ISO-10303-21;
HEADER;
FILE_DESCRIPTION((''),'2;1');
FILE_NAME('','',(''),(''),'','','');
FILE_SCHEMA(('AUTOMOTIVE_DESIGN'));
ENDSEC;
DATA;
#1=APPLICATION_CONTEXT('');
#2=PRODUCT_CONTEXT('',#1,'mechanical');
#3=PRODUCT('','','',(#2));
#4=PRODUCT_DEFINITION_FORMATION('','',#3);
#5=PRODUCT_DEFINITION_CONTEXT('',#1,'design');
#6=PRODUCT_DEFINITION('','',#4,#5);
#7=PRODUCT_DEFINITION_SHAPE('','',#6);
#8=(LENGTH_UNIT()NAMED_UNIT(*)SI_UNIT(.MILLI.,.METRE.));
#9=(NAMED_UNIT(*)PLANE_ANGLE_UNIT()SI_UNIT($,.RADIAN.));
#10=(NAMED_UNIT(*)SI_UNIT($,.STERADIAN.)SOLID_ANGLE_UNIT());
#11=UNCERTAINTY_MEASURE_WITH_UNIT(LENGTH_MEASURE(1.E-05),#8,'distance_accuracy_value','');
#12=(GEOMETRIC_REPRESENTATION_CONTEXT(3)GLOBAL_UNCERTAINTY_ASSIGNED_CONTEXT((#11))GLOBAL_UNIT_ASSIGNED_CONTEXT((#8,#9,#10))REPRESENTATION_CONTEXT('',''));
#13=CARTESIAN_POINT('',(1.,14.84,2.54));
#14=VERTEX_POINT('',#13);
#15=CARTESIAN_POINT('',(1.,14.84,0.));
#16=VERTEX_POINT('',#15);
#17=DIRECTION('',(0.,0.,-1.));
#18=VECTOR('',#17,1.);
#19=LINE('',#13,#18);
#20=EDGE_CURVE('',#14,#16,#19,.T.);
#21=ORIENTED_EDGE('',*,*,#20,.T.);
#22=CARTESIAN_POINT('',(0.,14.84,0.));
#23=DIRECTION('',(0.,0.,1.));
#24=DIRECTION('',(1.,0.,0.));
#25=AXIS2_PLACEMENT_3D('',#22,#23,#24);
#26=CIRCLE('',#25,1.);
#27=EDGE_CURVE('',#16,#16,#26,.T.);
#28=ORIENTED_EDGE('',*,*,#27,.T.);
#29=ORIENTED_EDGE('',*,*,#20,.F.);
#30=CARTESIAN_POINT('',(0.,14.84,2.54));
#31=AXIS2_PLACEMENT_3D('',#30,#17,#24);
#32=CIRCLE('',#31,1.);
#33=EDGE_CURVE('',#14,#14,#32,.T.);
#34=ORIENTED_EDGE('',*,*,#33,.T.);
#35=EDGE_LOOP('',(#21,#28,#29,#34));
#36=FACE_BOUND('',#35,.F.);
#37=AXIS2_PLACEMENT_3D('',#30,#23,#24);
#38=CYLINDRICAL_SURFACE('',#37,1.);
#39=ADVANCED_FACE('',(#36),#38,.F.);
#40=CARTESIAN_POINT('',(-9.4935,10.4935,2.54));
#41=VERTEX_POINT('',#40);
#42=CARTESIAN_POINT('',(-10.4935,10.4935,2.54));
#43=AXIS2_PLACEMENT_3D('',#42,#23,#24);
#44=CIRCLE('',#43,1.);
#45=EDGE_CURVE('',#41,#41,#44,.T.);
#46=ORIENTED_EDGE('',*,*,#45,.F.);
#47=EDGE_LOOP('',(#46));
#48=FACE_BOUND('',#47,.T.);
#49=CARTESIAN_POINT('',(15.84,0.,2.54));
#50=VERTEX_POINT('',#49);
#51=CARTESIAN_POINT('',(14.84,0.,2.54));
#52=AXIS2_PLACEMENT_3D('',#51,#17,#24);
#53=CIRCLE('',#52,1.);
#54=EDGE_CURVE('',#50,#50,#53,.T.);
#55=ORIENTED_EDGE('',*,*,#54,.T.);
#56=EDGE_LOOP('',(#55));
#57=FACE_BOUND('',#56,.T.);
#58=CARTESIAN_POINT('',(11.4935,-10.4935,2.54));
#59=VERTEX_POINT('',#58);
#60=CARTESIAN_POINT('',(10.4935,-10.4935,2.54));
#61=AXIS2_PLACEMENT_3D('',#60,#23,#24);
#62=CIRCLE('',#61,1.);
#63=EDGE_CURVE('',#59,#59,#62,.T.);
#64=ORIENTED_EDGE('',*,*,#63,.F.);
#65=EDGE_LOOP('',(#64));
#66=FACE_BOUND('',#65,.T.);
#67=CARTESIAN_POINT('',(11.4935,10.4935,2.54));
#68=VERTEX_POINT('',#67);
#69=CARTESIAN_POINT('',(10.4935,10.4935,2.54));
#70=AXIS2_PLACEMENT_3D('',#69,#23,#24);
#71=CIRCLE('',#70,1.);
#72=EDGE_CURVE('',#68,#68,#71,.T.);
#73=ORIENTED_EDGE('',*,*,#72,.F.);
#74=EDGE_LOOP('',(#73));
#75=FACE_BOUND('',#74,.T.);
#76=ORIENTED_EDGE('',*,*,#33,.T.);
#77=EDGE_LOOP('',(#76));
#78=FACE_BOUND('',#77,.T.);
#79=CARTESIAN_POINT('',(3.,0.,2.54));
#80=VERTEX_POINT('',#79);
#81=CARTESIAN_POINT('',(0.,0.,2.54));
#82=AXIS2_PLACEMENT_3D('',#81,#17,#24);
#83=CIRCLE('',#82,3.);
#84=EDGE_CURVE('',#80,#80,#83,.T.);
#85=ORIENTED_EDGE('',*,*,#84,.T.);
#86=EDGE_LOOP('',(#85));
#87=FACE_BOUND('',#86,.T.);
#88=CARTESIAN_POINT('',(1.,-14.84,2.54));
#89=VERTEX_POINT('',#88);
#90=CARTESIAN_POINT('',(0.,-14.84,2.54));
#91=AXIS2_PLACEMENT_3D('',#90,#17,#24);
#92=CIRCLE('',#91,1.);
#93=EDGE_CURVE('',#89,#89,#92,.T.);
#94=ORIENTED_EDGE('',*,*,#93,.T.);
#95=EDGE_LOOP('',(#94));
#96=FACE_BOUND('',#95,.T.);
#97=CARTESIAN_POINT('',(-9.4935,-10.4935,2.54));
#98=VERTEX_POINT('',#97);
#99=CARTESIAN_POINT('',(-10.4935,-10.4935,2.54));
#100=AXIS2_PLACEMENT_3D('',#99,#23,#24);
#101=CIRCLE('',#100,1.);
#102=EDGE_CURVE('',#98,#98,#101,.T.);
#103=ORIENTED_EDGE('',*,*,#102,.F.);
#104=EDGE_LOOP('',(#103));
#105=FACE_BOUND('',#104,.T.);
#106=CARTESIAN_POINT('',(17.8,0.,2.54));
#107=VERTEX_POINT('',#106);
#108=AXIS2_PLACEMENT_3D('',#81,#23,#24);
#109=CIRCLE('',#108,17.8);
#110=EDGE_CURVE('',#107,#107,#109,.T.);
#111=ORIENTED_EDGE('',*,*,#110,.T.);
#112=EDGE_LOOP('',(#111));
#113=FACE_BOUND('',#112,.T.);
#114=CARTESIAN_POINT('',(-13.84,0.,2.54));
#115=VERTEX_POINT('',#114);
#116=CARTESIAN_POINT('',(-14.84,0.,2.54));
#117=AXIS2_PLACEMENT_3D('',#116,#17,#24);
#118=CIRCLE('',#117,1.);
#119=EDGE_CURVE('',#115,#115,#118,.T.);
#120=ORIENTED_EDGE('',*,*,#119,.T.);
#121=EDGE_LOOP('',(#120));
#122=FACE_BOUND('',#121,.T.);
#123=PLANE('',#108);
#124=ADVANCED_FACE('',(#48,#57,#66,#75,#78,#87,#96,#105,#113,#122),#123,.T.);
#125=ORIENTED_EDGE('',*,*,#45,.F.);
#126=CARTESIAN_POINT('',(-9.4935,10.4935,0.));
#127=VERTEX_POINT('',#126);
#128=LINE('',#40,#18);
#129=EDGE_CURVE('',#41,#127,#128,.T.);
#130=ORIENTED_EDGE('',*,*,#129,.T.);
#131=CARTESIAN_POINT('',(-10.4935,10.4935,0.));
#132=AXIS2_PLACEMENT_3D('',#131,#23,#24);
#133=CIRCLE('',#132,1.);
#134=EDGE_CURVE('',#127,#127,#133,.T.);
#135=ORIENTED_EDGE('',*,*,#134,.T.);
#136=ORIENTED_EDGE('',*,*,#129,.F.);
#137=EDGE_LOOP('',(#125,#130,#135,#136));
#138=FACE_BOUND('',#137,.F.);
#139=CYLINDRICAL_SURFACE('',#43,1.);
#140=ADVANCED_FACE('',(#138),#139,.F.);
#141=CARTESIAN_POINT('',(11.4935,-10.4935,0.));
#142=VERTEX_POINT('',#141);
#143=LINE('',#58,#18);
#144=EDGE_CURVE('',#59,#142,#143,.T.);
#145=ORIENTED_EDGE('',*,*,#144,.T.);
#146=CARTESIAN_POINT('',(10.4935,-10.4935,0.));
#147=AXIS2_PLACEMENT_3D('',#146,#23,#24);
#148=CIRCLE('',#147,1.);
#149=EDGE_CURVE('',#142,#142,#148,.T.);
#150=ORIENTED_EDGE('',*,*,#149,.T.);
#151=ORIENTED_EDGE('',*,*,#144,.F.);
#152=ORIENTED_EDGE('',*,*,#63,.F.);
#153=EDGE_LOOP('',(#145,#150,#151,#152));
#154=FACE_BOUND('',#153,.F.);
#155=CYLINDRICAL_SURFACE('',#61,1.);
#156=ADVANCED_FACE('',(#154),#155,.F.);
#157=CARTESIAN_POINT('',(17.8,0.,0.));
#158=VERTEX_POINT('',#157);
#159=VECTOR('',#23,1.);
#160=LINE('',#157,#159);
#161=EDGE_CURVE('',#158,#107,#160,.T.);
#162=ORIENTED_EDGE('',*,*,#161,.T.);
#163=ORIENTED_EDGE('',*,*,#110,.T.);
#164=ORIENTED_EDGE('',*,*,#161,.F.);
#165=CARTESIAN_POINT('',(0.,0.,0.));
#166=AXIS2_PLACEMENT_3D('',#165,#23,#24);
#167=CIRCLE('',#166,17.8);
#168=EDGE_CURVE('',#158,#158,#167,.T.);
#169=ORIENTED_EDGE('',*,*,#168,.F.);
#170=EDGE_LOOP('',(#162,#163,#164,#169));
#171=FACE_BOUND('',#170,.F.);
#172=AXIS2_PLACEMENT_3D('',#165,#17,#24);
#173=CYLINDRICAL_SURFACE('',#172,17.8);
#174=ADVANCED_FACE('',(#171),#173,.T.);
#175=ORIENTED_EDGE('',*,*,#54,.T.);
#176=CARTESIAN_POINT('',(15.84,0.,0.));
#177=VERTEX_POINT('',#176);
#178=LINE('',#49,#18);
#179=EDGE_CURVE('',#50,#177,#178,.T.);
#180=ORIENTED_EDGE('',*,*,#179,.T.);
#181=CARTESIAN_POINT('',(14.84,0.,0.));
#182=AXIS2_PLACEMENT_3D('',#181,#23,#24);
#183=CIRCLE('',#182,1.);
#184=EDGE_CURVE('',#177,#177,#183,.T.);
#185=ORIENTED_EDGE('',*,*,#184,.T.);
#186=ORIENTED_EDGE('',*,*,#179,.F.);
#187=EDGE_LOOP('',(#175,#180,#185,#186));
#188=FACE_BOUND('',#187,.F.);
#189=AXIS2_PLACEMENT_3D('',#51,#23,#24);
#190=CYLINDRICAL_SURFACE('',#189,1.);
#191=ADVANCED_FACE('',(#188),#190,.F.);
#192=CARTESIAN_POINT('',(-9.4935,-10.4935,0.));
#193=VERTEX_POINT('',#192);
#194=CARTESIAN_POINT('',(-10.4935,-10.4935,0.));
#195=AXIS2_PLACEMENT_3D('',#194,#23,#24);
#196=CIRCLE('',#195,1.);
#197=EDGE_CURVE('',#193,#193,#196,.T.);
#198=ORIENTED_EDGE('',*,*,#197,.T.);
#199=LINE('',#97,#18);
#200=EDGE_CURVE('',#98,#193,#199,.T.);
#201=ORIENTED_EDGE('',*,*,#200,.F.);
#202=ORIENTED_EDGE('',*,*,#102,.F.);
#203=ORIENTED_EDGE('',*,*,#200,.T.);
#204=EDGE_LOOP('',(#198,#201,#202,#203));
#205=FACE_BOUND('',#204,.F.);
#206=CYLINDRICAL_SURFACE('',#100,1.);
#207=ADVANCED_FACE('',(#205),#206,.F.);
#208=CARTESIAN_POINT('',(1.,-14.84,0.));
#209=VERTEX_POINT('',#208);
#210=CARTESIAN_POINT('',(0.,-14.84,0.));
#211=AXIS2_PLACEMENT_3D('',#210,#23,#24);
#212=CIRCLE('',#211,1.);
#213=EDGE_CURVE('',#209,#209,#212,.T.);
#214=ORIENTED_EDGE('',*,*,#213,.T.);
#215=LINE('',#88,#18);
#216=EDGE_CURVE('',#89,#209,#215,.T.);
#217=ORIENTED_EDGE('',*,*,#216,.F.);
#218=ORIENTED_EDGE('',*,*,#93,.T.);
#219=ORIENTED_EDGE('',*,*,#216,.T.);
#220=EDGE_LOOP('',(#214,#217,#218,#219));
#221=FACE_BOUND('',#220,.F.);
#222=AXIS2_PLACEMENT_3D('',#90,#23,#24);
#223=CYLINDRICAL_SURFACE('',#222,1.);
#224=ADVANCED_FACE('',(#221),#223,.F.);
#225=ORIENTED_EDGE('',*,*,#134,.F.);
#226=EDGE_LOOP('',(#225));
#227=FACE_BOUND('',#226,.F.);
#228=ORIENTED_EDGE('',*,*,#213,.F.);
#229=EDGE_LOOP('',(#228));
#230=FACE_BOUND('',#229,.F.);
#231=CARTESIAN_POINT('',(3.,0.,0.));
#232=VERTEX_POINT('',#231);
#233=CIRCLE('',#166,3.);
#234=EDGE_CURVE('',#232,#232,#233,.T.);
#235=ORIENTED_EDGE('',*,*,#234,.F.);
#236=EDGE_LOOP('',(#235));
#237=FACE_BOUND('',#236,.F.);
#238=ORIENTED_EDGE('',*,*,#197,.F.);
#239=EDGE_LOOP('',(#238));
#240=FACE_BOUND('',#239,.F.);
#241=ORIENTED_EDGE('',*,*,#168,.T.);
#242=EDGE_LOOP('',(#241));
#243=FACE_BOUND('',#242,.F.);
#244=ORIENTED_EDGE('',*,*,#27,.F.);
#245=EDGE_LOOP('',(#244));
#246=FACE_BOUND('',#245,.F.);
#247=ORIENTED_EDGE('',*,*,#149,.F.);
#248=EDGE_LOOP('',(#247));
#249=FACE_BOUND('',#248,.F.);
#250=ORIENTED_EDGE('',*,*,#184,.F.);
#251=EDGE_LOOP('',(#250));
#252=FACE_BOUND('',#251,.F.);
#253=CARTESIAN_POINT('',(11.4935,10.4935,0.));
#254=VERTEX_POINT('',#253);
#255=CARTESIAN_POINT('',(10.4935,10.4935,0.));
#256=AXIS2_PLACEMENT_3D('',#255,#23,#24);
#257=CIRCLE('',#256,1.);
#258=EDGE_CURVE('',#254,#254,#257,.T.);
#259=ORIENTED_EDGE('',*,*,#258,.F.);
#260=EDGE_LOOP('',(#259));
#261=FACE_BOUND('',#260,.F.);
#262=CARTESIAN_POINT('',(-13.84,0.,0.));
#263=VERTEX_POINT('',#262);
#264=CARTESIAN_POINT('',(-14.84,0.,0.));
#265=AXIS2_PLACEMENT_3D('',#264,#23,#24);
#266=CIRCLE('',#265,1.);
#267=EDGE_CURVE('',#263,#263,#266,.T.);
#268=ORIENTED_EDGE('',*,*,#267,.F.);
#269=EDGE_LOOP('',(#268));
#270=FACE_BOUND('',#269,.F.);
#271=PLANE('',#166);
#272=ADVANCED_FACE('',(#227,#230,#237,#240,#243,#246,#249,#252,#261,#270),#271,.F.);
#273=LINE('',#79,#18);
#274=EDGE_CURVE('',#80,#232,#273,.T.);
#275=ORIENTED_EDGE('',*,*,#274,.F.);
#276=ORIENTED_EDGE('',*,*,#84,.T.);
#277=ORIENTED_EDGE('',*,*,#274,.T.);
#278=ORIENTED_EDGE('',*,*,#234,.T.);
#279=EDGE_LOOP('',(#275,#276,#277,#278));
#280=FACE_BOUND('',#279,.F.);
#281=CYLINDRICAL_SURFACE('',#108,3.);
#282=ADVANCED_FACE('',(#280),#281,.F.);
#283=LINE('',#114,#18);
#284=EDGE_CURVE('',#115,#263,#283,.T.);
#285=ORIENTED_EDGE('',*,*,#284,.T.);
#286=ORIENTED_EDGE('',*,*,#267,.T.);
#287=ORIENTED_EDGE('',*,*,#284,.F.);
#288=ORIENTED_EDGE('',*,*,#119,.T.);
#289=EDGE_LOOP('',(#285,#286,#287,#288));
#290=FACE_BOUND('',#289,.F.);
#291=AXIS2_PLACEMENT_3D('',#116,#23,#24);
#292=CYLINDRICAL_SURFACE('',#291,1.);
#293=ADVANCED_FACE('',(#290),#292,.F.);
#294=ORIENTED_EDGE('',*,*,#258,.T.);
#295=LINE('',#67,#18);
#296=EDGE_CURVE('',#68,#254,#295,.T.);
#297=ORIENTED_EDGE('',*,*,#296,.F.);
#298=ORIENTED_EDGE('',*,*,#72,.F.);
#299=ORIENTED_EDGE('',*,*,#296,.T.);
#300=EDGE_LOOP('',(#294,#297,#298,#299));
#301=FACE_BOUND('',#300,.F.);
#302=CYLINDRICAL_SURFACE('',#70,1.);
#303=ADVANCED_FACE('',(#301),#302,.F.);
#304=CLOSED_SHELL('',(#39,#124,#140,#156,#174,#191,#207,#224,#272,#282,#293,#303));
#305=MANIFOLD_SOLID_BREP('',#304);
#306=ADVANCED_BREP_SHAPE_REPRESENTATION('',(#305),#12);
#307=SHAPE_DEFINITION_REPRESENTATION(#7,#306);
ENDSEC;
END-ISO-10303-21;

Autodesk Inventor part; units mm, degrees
ref_plane "YZ Plane" through (0, 0, 0) normal (1, 0, 0) x (0, 1, 0)
ref_plane "XZ Plane" through (0, 0, 0) normal (0, 1, 0) x (-1, 0, 0)
ref_plane "XY Plane" through (0, 0, 0) normal (0, 0, 1) x (1, 0, 0)
sketch "Sketch1" plane through (0, 0, 0) normal (0, 0, 1) x (1, 0, 0)
  circle A0 centre (0, 0) radius 17.8
  dimension "d0" = 35.6
extrude "Extrusion1" add sketch "Sketch1" along normal blind 2.54
sketch "Sketch2" plane through (0, 0, 2.54) normal (0, 0, 1) x (1, 0, 0)
  circle A0 centre (0, 0) radius 17.8 projected
  line L0 (-24.92, 0) -> (24.92, 0) projected
  line L1 (0, -24.92) -> (0, 24.92) projected
  circle A1 centre (0, 14.84) radius 1
  circle A2 centre (-10.4935, 10.4935) radius 1
  circle A3 centre (-14.84, 0) radius 1
  circle A4 centre (-10.4935, -10.4935) radius 1
  circle A5 centre (0, -14.84) radius 1
  circle A6 centre (10.4935, -10.4935) radius 1
  circle A7 centre (14.84, 0) radius 1
  circle A8 centre (10.4935, 10.4935) radius 1
  circle A9 centre (0, 0) radius 3
  dimension "d3" = 2
  dimension "d4" = 14.84
  dimension "d7" = 360
  dimension "d9" = 6
extrude "Extrusion2" cut sketch "Sketch2" against normal blind 2.54 contours A7 L0 | L0 A7 | A1 L1 | L1 A1 | A5 L1 | L1 A5 | A3 L0 | L0 A3 | A9 L1 L0 | L0 L1 A9 | L1 L0 A9 | A9 L0 L1 | A2 | A4 | A6 | A8
properties part number "ServoFutabaS3003_circularArm"
